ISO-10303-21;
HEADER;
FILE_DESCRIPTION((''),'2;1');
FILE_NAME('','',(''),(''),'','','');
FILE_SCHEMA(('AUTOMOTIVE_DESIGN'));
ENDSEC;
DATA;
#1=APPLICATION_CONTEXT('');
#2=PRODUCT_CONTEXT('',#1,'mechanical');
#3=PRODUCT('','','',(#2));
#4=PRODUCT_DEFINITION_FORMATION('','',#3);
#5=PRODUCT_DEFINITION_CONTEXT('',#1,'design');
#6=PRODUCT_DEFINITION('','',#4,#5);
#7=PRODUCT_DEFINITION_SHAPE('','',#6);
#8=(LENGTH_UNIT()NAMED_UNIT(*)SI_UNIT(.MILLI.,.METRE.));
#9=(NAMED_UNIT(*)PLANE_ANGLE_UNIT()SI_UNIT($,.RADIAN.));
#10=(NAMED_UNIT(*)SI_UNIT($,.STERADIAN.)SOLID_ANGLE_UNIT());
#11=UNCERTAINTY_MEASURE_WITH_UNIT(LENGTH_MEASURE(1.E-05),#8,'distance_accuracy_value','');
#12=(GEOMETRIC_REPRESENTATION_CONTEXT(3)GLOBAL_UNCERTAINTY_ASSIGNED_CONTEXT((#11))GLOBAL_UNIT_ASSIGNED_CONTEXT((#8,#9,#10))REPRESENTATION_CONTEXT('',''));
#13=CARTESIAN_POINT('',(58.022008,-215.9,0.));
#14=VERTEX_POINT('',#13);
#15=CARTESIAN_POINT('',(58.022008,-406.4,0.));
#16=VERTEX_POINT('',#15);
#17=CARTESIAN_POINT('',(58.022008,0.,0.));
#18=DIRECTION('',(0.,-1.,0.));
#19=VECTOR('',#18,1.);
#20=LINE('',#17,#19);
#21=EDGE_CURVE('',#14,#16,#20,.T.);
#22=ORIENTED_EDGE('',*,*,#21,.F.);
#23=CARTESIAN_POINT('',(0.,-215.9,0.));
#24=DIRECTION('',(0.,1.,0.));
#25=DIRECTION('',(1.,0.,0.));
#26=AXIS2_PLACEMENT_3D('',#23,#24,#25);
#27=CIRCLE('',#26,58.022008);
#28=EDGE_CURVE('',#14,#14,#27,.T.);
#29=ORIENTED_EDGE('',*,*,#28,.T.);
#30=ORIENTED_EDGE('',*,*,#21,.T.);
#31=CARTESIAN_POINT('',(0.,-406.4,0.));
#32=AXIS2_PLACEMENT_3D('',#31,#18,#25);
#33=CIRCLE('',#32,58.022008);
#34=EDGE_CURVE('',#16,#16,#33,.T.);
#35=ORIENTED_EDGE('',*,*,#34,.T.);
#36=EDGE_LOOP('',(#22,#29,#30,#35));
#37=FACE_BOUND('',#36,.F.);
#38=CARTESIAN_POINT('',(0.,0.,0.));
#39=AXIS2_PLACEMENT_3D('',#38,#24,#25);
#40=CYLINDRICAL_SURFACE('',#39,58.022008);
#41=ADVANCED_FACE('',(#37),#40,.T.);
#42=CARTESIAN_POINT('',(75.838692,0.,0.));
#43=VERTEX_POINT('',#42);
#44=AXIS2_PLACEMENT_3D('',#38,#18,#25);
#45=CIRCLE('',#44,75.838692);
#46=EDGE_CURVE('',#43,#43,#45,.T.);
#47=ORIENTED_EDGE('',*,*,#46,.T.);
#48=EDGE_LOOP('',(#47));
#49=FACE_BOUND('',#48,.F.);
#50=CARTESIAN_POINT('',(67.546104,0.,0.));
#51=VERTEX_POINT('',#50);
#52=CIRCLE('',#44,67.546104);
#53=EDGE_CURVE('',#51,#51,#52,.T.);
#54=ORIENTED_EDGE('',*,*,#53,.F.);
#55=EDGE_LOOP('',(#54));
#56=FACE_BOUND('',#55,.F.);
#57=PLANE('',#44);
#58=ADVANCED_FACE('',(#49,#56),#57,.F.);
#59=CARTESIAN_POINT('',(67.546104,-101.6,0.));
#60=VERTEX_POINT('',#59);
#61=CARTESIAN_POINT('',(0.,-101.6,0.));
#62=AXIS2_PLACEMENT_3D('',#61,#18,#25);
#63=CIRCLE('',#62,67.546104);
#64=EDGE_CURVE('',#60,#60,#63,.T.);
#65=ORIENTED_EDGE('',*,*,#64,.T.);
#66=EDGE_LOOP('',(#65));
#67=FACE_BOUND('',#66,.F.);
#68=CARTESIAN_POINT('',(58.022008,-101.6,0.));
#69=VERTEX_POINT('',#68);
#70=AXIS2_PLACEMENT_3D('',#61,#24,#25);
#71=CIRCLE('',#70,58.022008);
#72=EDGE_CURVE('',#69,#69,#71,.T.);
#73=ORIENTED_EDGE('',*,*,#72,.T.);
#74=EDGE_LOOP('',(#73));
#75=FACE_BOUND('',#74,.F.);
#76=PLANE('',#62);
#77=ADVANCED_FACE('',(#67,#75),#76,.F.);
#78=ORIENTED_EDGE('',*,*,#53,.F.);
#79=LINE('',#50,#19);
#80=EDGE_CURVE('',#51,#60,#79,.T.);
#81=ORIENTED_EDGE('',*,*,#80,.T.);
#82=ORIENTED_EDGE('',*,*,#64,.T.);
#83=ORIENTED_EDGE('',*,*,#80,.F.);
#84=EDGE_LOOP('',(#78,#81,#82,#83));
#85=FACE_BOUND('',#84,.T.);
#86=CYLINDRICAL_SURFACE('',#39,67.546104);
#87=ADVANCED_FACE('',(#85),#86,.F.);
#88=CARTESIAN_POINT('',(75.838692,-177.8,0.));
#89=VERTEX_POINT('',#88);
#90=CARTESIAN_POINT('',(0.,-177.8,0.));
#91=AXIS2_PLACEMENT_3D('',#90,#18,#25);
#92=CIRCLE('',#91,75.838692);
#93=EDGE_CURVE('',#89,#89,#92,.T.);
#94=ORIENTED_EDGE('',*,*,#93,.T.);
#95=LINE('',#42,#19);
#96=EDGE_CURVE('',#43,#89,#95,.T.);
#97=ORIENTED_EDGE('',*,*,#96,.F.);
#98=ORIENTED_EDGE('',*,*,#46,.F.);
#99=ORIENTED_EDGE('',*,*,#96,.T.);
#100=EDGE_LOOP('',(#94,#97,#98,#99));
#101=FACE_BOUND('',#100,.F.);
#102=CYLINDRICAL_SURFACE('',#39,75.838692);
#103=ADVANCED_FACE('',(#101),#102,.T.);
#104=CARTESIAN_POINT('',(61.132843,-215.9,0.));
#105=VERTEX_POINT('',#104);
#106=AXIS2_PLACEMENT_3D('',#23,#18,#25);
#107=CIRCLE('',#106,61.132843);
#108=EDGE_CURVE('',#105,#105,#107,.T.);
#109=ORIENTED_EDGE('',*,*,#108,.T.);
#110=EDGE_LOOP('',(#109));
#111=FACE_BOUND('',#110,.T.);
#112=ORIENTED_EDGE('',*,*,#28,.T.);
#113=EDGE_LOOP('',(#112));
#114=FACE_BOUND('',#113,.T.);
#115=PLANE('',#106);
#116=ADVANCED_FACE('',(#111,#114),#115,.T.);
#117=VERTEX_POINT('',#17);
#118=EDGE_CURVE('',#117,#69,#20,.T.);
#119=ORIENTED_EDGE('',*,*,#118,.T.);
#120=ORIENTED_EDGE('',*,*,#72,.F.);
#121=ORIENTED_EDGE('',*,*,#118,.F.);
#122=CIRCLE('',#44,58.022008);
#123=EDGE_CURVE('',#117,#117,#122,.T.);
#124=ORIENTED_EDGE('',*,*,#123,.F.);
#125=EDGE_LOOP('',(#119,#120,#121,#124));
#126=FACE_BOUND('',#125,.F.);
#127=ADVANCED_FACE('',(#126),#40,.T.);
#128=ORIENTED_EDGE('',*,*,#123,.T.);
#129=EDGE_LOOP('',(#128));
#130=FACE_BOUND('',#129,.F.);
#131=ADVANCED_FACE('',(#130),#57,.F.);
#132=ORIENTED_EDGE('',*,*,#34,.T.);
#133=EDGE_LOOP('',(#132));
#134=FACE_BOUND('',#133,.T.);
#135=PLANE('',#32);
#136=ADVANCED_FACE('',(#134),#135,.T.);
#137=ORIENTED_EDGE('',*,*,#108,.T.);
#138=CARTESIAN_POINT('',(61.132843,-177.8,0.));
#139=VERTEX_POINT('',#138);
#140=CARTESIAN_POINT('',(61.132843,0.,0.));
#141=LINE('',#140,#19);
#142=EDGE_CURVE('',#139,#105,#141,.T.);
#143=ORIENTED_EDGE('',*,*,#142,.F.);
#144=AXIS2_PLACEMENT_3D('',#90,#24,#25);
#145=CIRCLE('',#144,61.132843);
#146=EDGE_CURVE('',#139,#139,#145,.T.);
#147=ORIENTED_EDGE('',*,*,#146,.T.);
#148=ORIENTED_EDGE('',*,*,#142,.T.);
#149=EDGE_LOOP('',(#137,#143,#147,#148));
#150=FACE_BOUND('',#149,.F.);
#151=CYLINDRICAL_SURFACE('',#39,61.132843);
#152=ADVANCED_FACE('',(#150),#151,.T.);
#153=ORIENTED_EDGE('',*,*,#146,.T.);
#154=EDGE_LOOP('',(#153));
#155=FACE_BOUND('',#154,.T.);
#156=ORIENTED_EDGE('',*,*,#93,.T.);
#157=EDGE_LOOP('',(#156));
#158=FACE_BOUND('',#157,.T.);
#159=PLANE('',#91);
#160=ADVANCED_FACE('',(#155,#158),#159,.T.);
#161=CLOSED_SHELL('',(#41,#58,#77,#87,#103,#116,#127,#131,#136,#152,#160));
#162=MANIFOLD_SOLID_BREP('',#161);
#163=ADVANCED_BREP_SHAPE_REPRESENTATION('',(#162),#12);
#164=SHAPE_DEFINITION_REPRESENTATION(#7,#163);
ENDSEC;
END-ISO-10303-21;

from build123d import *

# Parameters (mm, degrees)
F0_R     = 75.838692
F1_DEPTH = 177.8
F2_R     = 61.132843
F4_DEPTH = 215.9
F3_R     = 17.420923
F5_DEPTH = 215.9
F6_R     = 67.546104
F7_DEPTH = 101.6
F8_R     = 58.022008
F9_DEPTH = 406.4


with BuildPart() as f1:
    # F0 (on Front) → F1 (new body)
    with BuildSketch(Plane.XZ):
        Circle(F0_R)
    extrude(amount=F1_DEPTH)

    # F2 (on Front) → F4 (join)
    with BuildSketch(Plane.XZ):
        Circle(F2_R)
    extrude(amount=F4_DEPTH)

    # F3 (on Front) → F5 (cut)
    with BuildSketch(Plane.XZ):
        Circle(F3_R)
    extrude(amount=F5_DEPTH, mode=Mode.SUBTRACT)

    # F6 (on Front) → F7 (cut)
    with BuildSketch(Plane.XZ):
        Circle(F6_R)
    extrude(amount=F7_DEPTH, mode=Mode.SUBTRACT)

    # F8 (on Front) → F9 (join)
    with BuildSketch(Plane.XZ):
        Circle(F8_R)
    extrude(amount=F9_DEPTH)


solid = f1.part
